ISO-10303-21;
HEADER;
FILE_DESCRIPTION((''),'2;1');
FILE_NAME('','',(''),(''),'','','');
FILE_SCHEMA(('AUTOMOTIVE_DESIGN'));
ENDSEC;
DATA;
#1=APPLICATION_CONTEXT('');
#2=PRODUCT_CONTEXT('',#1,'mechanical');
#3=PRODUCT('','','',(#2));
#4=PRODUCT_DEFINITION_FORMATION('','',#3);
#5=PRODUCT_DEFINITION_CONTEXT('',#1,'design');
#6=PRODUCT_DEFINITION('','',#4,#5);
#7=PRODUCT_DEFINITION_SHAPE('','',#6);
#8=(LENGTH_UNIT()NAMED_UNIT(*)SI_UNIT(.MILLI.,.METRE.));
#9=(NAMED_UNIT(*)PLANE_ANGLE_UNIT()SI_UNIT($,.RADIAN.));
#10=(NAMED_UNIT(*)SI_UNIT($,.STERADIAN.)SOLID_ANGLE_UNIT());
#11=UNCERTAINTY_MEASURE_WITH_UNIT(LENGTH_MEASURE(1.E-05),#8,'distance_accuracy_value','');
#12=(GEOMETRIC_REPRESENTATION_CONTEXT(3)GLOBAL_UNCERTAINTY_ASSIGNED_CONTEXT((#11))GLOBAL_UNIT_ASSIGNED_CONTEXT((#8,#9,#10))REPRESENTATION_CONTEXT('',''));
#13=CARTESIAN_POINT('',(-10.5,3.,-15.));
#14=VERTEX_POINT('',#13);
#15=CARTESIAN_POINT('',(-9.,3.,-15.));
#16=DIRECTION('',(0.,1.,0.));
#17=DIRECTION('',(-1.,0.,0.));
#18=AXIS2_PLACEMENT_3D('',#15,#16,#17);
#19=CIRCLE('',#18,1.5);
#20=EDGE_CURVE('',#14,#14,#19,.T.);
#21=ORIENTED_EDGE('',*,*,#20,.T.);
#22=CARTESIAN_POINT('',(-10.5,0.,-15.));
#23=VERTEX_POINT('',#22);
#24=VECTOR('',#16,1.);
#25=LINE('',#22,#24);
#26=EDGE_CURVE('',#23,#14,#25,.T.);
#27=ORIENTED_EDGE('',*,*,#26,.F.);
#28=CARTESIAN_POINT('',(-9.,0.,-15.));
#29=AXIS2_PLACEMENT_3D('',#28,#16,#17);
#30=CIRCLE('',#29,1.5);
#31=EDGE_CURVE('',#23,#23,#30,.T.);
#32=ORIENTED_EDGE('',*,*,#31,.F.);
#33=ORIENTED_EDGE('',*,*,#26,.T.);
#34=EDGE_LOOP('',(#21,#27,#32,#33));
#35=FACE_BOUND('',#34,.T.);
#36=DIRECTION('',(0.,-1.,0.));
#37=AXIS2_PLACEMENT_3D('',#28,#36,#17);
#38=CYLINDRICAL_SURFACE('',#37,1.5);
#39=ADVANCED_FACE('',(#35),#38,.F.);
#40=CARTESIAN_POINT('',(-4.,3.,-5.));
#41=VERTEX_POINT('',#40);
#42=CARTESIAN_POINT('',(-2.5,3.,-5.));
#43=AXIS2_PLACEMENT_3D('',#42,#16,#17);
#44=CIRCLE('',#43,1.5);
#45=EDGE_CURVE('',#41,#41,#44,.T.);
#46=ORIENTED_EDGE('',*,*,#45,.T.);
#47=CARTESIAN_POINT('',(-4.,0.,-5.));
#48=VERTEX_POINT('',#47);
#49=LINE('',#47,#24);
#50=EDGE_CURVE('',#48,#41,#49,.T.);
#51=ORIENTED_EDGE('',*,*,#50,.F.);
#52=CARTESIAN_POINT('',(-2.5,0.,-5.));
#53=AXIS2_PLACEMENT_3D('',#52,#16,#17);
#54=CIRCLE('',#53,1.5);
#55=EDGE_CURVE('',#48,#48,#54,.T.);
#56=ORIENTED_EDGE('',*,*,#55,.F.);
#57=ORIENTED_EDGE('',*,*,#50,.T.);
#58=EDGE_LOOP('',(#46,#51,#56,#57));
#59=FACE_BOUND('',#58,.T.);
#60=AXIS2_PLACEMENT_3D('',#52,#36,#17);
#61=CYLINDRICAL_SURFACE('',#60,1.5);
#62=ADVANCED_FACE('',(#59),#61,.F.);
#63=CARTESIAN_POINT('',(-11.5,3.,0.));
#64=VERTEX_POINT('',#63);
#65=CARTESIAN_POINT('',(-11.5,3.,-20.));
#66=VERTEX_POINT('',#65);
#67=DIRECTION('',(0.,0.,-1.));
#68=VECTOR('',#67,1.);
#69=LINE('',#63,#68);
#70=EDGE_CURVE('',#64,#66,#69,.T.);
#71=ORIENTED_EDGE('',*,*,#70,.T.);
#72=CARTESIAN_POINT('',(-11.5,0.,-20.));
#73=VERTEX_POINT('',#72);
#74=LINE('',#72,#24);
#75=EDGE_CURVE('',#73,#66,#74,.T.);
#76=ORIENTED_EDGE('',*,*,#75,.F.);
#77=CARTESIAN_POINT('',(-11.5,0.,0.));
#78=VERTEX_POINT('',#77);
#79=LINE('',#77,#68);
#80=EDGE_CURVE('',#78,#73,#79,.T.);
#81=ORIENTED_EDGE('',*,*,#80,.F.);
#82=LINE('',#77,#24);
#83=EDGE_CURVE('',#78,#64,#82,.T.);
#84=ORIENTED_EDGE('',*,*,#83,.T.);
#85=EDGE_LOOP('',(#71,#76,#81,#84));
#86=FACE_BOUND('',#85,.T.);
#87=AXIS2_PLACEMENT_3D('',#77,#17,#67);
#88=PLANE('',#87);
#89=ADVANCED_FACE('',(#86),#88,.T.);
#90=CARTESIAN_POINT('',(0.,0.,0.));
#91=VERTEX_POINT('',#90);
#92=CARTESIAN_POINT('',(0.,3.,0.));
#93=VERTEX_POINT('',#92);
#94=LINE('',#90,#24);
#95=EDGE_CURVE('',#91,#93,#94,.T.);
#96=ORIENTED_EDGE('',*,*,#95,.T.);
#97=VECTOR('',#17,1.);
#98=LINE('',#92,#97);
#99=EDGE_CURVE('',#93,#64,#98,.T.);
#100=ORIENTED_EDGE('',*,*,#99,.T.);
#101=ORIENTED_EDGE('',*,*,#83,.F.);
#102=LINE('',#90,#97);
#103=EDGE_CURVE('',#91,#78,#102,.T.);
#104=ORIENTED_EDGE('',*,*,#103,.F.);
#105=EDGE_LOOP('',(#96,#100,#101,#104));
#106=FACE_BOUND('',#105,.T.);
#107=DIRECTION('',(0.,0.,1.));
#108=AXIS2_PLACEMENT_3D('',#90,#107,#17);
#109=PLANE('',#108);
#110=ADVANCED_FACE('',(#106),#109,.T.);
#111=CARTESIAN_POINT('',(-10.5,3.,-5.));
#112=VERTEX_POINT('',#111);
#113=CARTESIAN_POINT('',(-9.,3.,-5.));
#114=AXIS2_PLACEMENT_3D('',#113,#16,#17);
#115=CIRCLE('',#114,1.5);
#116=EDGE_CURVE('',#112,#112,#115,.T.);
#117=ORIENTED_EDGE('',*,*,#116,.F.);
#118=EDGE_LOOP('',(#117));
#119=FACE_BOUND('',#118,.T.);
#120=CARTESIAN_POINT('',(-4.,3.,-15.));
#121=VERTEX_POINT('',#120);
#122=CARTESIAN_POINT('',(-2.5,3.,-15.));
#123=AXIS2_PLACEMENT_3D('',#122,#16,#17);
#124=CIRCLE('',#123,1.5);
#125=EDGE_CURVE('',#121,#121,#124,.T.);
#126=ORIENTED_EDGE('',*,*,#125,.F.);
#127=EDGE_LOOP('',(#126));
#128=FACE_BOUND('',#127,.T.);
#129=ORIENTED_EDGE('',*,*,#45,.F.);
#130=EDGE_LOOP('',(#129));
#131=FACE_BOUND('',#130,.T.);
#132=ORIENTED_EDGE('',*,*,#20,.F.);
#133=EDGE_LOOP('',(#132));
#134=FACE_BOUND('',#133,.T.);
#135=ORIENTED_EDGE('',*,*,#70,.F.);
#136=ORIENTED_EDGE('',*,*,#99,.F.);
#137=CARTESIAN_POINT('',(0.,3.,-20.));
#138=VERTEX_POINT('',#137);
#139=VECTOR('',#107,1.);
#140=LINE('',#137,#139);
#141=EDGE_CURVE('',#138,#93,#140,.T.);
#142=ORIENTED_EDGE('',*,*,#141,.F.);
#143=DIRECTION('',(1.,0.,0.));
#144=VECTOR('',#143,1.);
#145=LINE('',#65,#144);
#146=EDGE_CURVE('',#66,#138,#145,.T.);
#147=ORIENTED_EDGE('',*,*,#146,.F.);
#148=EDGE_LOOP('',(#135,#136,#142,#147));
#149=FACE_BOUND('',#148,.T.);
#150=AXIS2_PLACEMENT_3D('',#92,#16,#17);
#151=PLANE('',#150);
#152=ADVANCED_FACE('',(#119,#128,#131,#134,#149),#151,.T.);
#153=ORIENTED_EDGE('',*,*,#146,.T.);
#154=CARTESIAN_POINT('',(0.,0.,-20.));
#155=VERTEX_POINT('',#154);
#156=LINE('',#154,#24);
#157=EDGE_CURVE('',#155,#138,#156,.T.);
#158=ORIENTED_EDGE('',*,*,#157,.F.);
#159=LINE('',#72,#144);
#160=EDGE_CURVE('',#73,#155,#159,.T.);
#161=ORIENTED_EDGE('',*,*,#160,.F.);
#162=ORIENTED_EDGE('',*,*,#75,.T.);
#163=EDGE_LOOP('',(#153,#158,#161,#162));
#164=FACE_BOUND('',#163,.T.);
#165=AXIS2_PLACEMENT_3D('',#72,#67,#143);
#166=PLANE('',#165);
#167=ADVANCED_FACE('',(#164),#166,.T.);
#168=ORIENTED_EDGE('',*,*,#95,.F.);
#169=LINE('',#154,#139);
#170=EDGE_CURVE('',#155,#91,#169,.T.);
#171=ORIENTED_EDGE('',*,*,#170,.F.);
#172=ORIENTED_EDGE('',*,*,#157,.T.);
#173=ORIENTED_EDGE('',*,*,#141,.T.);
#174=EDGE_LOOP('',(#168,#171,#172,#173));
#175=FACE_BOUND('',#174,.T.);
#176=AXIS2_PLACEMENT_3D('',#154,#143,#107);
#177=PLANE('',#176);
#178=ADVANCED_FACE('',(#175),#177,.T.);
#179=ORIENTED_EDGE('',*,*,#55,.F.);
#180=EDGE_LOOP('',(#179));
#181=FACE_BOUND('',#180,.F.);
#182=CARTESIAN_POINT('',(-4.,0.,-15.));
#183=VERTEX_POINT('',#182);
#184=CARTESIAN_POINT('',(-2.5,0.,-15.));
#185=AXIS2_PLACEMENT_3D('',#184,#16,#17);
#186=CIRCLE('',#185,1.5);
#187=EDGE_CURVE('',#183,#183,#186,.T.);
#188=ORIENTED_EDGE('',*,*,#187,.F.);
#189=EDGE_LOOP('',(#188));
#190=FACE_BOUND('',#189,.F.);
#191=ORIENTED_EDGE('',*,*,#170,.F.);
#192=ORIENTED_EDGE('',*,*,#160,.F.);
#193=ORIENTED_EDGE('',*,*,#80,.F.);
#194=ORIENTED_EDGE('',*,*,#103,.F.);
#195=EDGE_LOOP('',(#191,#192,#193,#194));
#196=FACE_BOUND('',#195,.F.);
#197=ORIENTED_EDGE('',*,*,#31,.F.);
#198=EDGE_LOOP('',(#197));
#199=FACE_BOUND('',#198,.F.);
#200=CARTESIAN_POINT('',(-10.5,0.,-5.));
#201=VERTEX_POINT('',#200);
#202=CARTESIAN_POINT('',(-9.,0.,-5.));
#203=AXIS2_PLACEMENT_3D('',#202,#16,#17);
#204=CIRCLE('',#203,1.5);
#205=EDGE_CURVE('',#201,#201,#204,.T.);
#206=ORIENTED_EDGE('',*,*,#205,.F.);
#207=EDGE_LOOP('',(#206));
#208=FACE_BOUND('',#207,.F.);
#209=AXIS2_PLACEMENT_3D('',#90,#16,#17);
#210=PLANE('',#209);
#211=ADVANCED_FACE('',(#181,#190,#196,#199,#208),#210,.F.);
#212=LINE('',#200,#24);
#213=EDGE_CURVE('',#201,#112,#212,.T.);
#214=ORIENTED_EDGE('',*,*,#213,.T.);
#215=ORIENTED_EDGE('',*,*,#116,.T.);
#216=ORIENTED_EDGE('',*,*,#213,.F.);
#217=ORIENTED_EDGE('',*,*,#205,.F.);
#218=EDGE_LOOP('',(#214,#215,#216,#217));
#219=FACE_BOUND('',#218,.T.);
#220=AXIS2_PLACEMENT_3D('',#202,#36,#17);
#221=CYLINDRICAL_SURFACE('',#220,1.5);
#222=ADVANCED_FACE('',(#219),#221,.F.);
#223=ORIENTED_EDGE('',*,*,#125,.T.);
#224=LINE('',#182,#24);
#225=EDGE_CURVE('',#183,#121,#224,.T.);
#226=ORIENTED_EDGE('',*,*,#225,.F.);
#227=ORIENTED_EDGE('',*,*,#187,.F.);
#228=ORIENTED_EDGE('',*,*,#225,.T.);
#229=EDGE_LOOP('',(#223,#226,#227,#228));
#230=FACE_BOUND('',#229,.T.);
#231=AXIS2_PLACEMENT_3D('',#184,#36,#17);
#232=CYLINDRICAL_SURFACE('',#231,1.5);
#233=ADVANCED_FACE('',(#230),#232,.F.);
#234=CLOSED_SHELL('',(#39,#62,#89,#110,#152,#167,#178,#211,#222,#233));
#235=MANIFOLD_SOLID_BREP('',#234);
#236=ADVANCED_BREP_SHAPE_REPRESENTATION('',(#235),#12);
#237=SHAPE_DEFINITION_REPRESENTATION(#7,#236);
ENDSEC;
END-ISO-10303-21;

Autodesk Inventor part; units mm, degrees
ref_plane "YZ Plane" through (0, 0, 0) normal (1, 0, 0) x (0, 1, 0)
ref_plane "XZ Plane" through (0, 0, 0) normal (0, 1, 0) x (-1, 0, 0)
ref_plane "XY Plane" through (0, 0, 0) normal (0, 0, 1) x (1, 0, 0)
sketch "Esquisse1" plane through (0, 0, 0) normal (0, 1, 0) x (-1, 0, 0)
  line L0 (0, 0) -> (11.5, 0)
  line L1 (11.5, 0) -> (11.5, -20)
  line L2 (11.5, -20) -> (0, -20)
  line L3 (0, -20) -> (0, 0)
  line L4 (9, 0) -> (9, -20) construction
  line L5 (5.75, 0) -> (5.75, -20) construction
  line L6 (11.5, -10) -> (0, -10) construction
  circle A0 centre (9, -15) radius 1.5
  circle A1 centre (9, -5) radius 1.5
  circle A2 centre (2.5, -15) radius 1.5
  circle A3 centre (2.5, -5) radius 1.5
  dimension "d0" = 20
  dimension "d1" = 11.5
  dimension "d2" = 3
  dimension "d3" = 2.5
  dimension "d4" = 10
extrude "Extrusion1" add sketch "Esquisse1" along normal blind 3
sketch "Esquisse2" plane through (0, 0, 0) normal (0, -1, 0) x (1, 0, 0)
  circle A0 centre (-2.5, -5) radius 1.5 projected
  circle A1 centre (-2.5, -15) radius 1.5 projected
  circle A2 centre (-9, -5) radius 1.5 projected
  circle A3 centre (-9, -15) radius 1.5 projected
  line L0 (0, 0) -> (-11.5, 0) projected
  line L1 (-11.5, 0) -> (-11.5, -20) projected
  line L2 (-11.5, -20) -> (0, -20) projected
  line L3 (0, -20) -> (0, 0) projected
  line L4 (-11.5, 0) -> (-12, 0)
  line L5 (-12, 0) -> (-12, -20)
  line L6 (-12, -20) -> (-11.5, -20)
  line L7 (-11.5, -20) -> (-11.5, 0)
  dimension "d7" = 0.5
extrude "Extrusion2" [suppressed]
properties part number "adapter_bottom"
